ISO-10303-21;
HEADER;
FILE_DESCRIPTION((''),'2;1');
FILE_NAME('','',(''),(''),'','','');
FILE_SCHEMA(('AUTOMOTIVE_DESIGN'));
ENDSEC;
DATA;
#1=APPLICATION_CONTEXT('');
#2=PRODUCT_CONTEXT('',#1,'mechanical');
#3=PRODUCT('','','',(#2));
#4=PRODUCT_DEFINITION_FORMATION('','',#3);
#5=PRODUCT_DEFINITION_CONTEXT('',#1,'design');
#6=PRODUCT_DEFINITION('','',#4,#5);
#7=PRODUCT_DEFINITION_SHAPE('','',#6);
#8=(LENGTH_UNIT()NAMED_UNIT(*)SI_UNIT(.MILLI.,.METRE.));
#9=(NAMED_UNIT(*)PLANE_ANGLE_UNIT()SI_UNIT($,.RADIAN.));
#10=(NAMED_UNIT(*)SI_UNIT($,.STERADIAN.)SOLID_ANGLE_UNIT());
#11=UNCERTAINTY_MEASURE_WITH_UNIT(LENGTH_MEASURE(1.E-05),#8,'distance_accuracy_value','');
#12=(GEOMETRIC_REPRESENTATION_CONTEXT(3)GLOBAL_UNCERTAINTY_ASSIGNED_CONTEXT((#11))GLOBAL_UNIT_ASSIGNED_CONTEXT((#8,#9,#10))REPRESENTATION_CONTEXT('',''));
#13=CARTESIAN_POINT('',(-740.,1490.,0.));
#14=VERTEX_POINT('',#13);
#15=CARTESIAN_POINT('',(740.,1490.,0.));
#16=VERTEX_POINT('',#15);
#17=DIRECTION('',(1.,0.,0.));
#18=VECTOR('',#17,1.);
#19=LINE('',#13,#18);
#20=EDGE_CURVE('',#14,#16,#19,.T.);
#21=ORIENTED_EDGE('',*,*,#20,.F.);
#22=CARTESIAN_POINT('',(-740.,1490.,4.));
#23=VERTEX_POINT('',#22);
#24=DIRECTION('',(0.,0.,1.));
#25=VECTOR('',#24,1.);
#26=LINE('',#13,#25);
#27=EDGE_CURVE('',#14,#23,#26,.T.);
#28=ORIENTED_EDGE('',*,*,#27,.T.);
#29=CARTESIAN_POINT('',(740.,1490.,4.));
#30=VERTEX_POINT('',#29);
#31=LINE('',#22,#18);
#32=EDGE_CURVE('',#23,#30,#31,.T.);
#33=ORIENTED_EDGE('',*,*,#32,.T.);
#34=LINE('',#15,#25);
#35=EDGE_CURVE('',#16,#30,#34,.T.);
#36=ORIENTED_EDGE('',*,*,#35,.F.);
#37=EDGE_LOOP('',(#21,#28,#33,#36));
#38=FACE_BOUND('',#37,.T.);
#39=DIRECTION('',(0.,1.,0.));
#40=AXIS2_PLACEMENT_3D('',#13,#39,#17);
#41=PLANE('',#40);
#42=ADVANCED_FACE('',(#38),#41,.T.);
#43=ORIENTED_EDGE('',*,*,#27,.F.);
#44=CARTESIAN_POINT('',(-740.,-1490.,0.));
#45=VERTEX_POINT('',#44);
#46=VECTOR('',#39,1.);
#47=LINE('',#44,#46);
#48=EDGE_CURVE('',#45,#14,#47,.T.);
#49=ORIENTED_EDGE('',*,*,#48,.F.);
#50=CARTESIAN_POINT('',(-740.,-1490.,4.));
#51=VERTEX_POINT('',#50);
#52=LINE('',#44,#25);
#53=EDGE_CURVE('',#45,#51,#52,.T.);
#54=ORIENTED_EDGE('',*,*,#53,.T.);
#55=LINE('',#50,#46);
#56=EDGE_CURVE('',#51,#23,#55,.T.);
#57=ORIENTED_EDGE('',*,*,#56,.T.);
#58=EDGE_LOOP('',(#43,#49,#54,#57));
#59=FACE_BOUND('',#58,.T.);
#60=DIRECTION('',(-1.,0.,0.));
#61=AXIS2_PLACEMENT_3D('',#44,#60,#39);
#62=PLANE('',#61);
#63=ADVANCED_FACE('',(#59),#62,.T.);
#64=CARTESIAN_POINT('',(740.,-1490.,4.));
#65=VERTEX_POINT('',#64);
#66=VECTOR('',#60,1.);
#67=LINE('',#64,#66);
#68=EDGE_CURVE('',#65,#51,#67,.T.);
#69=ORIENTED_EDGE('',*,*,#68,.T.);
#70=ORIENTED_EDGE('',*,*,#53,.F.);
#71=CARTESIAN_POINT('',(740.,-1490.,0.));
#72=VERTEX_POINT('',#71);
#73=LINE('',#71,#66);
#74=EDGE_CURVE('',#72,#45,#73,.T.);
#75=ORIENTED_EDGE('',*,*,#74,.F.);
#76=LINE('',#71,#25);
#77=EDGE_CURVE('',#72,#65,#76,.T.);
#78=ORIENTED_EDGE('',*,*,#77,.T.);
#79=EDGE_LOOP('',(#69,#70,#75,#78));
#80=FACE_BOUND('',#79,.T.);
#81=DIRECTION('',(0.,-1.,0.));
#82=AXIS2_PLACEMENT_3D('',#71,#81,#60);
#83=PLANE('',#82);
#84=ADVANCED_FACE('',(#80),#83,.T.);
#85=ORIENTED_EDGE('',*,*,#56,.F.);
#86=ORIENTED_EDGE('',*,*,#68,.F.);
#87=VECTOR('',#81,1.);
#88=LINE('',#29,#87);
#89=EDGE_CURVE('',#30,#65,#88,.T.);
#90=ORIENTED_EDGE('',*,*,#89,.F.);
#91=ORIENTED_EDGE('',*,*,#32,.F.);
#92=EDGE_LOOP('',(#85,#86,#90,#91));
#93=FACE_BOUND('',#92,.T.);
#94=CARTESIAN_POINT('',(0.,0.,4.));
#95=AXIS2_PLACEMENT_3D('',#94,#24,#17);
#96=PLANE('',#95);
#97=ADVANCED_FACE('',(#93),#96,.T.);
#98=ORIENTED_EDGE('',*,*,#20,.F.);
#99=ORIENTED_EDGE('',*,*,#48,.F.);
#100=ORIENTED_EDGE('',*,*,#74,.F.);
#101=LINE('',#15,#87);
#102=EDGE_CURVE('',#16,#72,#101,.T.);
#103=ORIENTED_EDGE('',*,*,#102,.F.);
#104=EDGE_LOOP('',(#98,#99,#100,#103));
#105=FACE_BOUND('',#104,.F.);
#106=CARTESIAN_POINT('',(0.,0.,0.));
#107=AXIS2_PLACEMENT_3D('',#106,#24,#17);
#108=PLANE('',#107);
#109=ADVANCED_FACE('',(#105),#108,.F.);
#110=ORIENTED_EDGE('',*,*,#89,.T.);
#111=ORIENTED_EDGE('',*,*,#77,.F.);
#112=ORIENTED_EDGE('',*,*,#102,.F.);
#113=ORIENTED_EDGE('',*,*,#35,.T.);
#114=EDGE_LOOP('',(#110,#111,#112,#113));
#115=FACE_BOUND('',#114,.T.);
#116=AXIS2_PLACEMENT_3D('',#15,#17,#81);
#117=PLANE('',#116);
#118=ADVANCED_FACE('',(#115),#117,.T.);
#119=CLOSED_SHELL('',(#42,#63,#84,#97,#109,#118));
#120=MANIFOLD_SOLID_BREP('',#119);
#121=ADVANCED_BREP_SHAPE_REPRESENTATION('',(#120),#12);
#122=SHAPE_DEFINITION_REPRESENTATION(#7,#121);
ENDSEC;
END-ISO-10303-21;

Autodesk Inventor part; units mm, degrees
ref_plane "YZ Plane" through (0, 0, 0) normal (1, 0, 0) x (0, 1, 0)
ref_plane "XZ Plane" through (0, 0, 0) normal (0, 1, 0) x (-1, 0, 0)
ref_plane "XY Plane" through (0, 0, 0) normal (0, 0, 1) x (1, 0, 0)
sketch "Sketch1" plane through (0, 0, 0) normal (0, 0, 1) x (1, 0, 0)
  line L0 (740, -1490) -> (-740, -1490)
  line L1 (-740, -1490) -> (-740, 1490)
  line L2 (-740, 1490) -> (740, 1490)
  line L3 (740, 1490) -> (740, -1490)
  line L4 (740, -1490) -> (-740, 1490) construction
  line L5 (-740, -1490) -> (740, 1490) construction
  point P0 (0, 0)
  dimension "d0" = 1480
  dimension "d1" = 2980
extrude "Plate1" add sketch "Sketch1" along normal blind 4
equation "\"d0\" = Лист_ширина"
equation "\"d2\" = Thickness"
equation "\"BendRadius\" = Thickness"
equation "\"BendReliefWidth\" = Thickness"
equation "\"BendReliefDepth\" = 0.5 * Thickness"
equation "\"CornerReliefSize\" = 4 * Thickness"
equation "\"MinimumRemnant\" = 2 * Thickness"
equation "\"TransitionRadius\" = BendRadius"
equation "\"JacobiRadiusSize\" = BendRadius"
equation "\"GapSize\" = Thickness"
equation "\"Лист_ширина\" = 1480"
equation "\"Thickness\" = 4"
properties part number "GBK 2211 shield 2" material "Steel"
